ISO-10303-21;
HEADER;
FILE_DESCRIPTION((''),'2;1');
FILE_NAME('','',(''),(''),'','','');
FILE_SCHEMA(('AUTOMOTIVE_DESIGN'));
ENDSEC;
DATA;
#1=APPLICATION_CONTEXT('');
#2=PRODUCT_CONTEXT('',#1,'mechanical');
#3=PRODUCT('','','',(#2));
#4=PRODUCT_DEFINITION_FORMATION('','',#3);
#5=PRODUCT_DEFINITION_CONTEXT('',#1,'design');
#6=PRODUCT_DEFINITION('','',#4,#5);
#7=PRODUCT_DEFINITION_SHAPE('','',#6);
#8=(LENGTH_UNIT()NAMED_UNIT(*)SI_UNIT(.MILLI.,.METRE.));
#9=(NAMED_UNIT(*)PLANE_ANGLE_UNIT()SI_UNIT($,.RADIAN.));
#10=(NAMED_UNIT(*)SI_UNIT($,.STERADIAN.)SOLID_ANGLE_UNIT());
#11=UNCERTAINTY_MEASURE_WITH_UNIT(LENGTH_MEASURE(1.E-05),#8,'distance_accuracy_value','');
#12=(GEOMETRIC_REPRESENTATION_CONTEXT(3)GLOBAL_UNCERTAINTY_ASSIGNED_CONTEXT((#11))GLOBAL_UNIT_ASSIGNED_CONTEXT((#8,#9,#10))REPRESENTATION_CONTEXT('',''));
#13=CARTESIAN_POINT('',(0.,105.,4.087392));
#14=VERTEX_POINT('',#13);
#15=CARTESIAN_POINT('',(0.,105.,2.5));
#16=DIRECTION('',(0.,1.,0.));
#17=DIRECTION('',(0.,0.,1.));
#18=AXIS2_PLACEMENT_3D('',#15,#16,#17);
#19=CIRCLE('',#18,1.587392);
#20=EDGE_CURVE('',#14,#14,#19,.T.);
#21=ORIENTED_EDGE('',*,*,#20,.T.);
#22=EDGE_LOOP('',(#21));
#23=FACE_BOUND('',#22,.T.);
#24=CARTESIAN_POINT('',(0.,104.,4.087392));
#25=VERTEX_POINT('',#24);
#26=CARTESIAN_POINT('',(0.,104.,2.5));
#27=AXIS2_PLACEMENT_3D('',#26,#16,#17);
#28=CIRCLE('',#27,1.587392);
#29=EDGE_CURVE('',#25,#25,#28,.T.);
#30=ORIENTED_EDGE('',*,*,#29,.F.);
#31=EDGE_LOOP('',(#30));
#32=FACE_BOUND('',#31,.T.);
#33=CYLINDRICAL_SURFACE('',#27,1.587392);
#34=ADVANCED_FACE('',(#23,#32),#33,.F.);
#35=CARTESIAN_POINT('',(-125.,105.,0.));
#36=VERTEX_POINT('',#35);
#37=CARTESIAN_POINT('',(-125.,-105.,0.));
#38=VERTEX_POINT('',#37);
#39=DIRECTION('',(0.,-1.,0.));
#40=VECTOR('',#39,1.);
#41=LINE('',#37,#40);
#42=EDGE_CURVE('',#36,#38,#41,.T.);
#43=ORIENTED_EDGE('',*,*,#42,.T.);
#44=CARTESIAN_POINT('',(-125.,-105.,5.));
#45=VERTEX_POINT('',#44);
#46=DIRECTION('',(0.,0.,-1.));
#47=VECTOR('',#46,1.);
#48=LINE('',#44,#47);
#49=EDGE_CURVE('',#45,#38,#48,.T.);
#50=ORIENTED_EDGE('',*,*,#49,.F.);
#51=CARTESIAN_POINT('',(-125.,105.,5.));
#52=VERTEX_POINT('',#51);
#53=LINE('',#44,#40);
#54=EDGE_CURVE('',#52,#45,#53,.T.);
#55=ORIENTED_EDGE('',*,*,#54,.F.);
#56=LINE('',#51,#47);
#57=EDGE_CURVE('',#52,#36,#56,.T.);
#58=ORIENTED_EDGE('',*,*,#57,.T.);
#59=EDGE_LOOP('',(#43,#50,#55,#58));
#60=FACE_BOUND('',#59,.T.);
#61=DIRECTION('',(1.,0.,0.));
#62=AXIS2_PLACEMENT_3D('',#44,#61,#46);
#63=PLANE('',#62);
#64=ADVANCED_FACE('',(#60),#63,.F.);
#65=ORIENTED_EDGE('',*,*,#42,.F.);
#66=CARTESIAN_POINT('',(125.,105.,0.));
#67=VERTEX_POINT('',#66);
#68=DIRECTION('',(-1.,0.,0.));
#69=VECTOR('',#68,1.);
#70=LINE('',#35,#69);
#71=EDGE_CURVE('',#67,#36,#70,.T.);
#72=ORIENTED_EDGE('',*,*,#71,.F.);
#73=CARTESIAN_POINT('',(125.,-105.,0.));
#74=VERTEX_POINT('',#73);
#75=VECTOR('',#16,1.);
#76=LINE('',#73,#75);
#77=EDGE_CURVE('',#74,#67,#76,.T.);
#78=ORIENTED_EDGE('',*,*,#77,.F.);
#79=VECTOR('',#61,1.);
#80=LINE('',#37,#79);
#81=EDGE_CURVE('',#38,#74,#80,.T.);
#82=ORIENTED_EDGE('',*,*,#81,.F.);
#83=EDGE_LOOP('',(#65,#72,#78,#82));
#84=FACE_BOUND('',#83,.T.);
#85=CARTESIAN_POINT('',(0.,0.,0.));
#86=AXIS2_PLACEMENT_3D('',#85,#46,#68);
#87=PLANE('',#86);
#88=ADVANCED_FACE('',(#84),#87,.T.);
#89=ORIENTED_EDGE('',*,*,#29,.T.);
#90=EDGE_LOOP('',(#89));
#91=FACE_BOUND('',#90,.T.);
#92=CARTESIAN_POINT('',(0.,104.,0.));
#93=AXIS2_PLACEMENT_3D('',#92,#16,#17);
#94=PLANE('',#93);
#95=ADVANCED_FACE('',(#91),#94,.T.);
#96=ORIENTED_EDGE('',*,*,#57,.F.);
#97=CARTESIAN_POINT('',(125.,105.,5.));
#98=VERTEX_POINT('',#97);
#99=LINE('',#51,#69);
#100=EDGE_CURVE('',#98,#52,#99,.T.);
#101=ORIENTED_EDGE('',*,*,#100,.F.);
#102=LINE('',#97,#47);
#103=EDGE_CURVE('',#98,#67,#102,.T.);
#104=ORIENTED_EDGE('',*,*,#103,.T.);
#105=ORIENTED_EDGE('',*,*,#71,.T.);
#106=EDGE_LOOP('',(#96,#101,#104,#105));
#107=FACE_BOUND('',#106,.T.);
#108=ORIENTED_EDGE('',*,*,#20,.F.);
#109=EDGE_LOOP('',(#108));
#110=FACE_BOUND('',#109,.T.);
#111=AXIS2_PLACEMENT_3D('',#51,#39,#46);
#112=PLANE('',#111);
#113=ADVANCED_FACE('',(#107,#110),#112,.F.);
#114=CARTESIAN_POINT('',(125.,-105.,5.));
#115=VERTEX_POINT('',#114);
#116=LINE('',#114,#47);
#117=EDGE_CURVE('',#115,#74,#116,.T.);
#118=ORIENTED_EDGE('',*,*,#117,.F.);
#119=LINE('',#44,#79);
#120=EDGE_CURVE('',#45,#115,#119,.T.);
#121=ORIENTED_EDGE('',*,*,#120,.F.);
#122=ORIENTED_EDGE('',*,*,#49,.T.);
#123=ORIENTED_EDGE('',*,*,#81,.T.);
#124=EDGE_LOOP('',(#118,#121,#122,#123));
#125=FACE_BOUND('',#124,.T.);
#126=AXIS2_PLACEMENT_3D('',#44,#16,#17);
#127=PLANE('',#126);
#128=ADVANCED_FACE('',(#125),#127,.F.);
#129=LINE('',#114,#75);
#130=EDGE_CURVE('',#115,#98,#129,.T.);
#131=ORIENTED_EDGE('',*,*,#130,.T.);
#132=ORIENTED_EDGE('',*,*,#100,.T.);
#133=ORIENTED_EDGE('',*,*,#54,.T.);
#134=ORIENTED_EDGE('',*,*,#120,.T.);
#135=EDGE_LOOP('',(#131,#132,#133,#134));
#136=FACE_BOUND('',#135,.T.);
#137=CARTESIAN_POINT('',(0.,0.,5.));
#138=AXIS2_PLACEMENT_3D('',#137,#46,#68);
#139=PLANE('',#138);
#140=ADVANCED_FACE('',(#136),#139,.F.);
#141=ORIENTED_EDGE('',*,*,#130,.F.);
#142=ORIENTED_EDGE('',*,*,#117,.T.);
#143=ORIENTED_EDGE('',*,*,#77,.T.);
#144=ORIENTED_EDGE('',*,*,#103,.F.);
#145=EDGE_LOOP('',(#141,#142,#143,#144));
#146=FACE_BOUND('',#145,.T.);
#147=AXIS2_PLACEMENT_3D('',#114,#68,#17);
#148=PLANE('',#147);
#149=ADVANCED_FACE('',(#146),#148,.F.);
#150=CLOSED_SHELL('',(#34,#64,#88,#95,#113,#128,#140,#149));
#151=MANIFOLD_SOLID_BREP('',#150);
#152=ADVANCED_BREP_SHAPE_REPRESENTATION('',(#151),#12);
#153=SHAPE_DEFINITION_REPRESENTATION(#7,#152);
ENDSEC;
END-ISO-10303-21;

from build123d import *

# Parameters (mm, degrees)
ESQUISSE1_W             = 250
ESQUISSE1_H             = 210
BOSS_EXTRU_1_DEPTH      = 5
ESQUISSE2_R             = 1.587392493
ENL_V_MAT_EXTRU_2_DEPTH = 1


with BuildPart() as part:
    # Esquisse1 → Boss.-Extru.1 (new body)
    with BuildSketch(Plane.XY):
        Rectangle(ESQUISSE1_W, ESQUISSE1_H)
    extrude(amount=BOSS_EXTRU_1_DEPTH)

    # Esquisse2 → Enlèv. mat.-Extru.2 (cut)
    with BuildSketch(Plane(origin=(0, 105, 0), x_dir=(1, 0, 0), z_dir=(0, 1, 0))):
        with Locations(Location((0, -2.5, 0), (0, 0, 270))):
            Circle(ESQUISSE2_R)
    extrude(amount=-ENL_V_MAT_EXTRU_2_DEPTH, mode=Mode.SUBTRACT)


solid = part.part
